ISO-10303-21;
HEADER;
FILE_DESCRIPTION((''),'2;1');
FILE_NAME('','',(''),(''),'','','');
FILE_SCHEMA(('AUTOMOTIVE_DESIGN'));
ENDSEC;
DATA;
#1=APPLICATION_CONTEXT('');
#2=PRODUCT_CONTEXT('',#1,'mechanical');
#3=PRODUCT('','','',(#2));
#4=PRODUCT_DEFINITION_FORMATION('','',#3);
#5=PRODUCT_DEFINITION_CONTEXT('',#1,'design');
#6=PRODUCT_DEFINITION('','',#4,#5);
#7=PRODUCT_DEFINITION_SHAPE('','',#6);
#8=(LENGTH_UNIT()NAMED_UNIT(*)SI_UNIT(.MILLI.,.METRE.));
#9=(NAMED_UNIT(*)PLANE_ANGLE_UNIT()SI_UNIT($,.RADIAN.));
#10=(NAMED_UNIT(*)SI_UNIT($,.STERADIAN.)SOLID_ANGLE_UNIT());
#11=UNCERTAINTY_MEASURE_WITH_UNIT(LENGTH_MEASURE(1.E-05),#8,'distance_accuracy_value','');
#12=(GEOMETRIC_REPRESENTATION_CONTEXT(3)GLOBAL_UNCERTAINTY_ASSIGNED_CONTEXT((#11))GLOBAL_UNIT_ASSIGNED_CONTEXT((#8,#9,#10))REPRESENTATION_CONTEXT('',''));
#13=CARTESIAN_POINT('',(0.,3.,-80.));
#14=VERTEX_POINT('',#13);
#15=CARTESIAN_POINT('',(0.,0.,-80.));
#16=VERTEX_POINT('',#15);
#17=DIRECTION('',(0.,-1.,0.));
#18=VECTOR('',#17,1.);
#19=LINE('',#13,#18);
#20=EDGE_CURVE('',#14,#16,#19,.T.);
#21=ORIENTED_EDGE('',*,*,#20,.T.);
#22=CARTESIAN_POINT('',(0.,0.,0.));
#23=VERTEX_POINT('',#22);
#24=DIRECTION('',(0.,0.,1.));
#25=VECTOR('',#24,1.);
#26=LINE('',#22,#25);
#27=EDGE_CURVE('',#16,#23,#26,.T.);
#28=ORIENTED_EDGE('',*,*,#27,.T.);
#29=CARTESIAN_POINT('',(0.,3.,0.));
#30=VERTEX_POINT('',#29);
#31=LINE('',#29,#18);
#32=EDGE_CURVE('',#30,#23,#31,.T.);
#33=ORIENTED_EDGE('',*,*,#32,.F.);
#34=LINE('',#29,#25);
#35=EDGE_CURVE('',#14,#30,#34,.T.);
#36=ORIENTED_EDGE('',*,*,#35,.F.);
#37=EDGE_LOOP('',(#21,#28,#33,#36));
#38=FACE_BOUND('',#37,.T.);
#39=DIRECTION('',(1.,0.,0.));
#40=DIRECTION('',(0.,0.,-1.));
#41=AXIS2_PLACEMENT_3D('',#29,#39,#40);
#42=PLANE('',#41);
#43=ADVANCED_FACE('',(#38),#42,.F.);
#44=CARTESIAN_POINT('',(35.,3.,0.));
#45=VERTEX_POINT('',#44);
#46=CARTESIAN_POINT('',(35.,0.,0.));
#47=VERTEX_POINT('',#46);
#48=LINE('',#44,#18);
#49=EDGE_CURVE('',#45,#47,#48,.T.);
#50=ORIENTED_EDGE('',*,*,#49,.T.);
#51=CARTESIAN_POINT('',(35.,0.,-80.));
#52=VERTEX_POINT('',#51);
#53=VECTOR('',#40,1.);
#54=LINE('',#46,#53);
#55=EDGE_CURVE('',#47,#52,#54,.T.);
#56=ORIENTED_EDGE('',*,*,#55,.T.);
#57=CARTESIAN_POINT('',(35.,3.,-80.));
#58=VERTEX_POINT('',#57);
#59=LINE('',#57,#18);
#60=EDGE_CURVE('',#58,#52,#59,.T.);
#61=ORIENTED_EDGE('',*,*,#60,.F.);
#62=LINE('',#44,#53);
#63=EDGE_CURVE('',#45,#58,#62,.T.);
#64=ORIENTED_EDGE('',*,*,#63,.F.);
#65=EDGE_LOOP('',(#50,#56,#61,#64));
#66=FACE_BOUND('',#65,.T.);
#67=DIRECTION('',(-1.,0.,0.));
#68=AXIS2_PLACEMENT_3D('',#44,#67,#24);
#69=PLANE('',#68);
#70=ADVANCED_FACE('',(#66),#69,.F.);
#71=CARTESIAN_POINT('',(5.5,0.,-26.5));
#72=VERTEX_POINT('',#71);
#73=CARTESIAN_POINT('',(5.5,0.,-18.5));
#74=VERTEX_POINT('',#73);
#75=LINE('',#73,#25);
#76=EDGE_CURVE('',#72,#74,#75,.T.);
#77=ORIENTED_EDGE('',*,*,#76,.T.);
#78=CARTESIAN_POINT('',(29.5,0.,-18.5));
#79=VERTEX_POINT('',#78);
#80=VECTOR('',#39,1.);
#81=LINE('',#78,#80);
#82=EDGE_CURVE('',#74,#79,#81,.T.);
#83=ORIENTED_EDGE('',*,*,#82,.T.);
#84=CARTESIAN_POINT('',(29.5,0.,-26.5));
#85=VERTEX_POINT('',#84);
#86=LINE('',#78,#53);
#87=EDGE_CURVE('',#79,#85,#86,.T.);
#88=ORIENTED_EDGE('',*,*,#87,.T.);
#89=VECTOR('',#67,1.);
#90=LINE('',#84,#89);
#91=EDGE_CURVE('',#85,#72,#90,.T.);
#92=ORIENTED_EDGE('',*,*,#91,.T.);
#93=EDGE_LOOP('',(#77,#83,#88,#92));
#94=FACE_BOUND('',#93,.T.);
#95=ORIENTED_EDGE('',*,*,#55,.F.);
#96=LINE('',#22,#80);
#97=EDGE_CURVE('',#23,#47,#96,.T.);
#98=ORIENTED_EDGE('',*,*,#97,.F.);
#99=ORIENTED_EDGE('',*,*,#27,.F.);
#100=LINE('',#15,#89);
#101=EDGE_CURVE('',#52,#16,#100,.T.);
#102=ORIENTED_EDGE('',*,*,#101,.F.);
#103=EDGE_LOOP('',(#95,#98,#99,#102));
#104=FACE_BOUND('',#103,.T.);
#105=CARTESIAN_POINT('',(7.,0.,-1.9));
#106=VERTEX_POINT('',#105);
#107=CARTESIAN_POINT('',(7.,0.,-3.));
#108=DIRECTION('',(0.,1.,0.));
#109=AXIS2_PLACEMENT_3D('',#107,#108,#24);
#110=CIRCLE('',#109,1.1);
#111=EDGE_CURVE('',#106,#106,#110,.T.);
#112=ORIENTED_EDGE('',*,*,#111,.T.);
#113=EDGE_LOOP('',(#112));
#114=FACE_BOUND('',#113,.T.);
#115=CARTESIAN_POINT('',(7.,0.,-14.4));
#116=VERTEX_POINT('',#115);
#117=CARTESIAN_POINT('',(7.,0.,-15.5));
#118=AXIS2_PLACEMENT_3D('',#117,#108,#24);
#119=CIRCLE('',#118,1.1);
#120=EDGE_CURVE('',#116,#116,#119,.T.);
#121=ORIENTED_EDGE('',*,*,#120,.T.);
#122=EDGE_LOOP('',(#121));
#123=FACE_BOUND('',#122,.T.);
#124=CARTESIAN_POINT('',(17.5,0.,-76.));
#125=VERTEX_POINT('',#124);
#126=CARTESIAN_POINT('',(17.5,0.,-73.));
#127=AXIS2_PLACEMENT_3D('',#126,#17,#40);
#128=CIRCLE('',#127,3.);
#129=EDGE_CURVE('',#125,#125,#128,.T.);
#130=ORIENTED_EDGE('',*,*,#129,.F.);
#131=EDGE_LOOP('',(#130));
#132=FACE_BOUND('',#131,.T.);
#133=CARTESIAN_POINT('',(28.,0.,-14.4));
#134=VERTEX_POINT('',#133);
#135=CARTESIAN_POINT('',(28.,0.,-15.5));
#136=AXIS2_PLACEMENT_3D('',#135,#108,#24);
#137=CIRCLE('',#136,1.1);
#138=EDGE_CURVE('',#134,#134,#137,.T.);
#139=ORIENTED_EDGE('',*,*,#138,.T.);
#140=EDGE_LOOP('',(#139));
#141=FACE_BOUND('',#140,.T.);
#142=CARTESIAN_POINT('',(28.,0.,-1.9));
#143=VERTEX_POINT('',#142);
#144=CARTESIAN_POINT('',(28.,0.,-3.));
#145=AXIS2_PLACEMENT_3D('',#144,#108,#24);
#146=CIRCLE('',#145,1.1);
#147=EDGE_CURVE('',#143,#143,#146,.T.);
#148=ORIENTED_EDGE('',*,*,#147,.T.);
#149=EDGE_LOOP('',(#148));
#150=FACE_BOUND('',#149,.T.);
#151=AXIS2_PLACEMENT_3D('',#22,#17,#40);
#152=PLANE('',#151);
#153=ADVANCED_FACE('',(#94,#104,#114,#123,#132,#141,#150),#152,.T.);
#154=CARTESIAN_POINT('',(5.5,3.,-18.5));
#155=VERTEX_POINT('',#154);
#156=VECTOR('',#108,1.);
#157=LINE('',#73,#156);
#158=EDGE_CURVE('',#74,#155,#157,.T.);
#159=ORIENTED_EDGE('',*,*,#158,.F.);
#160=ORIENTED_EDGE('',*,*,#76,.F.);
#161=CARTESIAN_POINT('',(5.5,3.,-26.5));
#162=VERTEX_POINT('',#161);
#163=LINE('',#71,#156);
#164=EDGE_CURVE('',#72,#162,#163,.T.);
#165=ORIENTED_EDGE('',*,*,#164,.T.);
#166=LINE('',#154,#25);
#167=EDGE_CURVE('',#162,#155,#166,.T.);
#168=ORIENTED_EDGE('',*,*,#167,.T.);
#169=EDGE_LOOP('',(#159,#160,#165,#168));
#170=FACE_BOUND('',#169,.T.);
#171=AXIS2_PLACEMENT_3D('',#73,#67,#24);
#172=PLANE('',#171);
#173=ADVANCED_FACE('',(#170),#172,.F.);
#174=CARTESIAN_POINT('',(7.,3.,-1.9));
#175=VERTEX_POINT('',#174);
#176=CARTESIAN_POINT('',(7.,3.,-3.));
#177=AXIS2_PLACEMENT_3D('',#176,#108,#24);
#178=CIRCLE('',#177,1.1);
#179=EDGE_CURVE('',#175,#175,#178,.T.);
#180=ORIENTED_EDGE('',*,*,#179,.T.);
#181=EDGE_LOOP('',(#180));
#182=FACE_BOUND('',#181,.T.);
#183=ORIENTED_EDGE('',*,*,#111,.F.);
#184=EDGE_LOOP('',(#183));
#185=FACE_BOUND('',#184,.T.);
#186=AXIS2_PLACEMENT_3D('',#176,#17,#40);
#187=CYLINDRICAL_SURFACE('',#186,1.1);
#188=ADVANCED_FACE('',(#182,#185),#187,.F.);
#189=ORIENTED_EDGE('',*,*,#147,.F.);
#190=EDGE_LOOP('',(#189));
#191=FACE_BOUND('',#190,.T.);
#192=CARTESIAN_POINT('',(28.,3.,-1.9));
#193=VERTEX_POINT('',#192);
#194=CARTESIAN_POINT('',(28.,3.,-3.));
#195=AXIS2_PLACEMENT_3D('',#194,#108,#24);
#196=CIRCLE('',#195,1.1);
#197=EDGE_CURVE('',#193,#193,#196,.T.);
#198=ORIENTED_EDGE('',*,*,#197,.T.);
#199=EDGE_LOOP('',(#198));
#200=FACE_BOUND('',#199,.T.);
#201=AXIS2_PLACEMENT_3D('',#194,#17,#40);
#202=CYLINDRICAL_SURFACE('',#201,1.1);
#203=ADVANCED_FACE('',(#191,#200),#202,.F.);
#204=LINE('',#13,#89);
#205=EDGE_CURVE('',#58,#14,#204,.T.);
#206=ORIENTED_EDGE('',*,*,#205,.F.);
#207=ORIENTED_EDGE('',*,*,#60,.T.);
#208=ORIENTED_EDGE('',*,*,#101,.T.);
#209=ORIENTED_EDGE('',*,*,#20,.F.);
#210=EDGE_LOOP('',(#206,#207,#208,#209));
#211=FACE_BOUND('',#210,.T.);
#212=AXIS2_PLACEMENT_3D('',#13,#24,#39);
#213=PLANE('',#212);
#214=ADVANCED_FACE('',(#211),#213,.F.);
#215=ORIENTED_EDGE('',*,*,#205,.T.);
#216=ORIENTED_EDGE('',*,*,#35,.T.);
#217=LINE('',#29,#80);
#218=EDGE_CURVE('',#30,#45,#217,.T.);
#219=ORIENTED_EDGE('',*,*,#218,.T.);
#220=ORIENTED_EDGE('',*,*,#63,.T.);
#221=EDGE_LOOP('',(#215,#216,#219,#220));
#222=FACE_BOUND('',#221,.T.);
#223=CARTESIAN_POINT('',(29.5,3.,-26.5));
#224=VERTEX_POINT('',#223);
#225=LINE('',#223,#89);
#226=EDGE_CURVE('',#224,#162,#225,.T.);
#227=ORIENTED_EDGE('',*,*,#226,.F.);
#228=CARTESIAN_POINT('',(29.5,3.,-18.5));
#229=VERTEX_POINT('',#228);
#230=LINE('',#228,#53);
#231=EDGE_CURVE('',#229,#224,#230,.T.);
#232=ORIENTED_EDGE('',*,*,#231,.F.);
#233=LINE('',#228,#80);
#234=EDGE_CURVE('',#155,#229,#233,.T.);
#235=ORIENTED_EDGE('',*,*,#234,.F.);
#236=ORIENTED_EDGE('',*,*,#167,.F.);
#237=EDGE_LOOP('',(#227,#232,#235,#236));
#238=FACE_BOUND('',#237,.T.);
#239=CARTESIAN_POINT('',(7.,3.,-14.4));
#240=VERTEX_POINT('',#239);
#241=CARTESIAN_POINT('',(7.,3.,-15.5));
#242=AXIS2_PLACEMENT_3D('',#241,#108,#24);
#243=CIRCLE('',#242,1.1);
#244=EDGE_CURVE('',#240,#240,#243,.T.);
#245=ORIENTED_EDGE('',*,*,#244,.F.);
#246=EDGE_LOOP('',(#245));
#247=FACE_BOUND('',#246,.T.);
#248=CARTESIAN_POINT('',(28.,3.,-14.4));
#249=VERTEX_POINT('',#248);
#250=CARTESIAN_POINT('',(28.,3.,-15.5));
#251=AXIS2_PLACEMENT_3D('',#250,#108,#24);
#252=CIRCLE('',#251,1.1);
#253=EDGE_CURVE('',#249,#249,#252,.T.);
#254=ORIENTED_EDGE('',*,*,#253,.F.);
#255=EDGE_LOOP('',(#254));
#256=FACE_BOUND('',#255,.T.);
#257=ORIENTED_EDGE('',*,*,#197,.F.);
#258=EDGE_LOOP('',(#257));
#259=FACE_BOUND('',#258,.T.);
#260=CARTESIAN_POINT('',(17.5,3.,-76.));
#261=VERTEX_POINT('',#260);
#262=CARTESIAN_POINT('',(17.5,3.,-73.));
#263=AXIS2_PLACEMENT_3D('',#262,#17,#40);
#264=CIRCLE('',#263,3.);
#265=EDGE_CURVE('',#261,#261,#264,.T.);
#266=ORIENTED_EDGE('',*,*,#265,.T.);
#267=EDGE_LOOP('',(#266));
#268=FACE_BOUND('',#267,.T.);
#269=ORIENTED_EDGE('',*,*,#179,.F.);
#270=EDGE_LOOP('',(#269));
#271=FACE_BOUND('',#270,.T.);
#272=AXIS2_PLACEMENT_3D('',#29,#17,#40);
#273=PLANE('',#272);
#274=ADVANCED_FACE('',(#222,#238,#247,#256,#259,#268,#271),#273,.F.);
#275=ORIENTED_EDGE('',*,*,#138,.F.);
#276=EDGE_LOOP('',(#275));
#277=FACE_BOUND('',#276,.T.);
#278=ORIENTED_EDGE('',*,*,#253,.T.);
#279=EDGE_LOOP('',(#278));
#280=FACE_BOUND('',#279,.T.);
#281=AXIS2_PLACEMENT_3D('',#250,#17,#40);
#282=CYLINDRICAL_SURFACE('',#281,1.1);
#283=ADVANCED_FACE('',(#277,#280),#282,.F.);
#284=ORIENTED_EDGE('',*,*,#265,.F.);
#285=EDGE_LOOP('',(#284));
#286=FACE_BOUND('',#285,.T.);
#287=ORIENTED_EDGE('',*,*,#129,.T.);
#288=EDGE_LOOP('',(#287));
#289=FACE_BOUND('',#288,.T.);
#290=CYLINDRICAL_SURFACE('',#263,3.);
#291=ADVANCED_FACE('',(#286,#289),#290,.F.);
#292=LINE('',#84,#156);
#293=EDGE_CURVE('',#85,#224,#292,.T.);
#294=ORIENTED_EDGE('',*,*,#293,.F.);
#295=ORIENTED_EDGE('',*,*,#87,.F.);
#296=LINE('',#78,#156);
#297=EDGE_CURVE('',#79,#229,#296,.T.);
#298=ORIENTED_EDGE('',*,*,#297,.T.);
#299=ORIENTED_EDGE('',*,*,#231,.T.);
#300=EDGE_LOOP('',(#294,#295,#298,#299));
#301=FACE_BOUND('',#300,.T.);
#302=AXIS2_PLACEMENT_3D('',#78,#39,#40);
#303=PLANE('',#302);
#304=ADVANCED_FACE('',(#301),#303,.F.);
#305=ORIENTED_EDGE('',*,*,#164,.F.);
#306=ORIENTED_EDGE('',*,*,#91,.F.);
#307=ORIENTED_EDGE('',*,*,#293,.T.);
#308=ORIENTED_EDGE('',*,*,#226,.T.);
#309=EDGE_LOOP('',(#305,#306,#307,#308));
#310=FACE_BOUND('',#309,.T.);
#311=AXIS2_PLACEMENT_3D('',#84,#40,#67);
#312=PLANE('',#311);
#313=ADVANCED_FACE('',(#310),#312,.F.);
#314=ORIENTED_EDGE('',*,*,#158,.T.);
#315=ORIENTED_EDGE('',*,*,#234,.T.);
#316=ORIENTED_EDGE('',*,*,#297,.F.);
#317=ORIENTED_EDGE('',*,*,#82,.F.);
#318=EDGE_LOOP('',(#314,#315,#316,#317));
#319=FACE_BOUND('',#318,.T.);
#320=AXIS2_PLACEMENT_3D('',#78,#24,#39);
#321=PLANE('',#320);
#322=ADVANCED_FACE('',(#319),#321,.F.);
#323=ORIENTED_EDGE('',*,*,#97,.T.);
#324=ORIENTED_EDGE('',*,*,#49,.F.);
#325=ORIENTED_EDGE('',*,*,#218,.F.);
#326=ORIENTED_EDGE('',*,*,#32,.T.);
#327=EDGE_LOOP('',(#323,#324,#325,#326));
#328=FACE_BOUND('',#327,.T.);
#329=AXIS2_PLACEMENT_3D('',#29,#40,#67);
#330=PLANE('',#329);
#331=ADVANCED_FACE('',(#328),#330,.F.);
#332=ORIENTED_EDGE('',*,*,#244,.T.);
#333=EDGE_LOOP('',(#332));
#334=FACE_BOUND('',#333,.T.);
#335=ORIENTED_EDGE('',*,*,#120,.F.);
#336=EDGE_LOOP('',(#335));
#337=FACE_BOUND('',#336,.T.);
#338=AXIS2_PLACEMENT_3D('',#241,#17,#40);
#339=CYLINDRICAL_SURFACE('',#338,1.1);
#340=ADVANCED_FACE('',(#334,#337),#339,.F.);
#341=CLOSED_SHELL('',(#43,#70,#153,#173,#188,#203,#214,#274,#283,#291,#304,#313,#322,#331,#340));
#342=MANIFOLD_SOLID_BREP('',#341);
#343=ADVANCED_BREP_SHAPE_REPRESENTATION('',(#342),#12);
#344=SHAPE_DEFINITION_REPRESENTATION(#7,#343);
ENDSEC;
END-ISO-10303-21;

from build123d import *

# Parameters (mm, degrees)
SKETCH1_W           = 35
SKETCH1_H           = 80
SKETCH1_R           = 1.1
BOSS_EXTRUDE1_DEPTH = 3
SKETCH2_R           = 3
CUT_EXTRUDE1_DEPTH  = 4
SKETCH3_W           = 24
SKETCH3_H           = 8
CUT_EXTRUDE2_DEPTH  = 4


with BuildPart() as part:
    # Sketch1 → Boss-Extrude1 (new body)
    with BuildSketch(Plane(origin=(0, 0, 0), x_dir=(1, 0, 0), z_dir=(0, 1, 0))):
        with Locations((17.5, 40)):
            Rectangle(SKETCH1_W, SKETCH1_H)
        with Locations((7, 3)):
            Circle(SKETCH1_R, mode=Mode.SUBTRACT)
        with Locations((28, 3)):
            Circle(SKETCH1_R, mode=Mode.SUBTRACT)
        with Locations((7, 15.5)):
            Circle(SKETCH1_R, mode=Mode.SUBTRACT)
        with Locations((28, 15.5)):
            Circle(SKETCH1_R, mode=Mode.SUBTRACT)
    extrude(amount=BOSS_EXTRUDE1_DEPTH)

    # Sketch2 → Cut-Extrude1 (cut, through all)
    with BuildSketch(Plane.XZ):
        with Locations((17.5, -73)):
            Circle(SKETCH2_R)
    extrude(amount=-CUT_EXTRUDE1_DEPTH, mode=Mode.SUBTRACT)

    # Sketch3 → Cut-Extrude2 (cut, through all)
    with BuildSketch(Plane(origin=(0, 3, 0), x_dir=(1, 0, 0), z_dir=(0, 1, 0))):
        with Locations((17.5, 22.5)):
            Rectangle(SKETCH3_W, SKETCH3_H)
    extrude(amount=-CUT_EXTRUDE2_DEPTH, mode=Mode.SUBTRACT)


solid = part.part
